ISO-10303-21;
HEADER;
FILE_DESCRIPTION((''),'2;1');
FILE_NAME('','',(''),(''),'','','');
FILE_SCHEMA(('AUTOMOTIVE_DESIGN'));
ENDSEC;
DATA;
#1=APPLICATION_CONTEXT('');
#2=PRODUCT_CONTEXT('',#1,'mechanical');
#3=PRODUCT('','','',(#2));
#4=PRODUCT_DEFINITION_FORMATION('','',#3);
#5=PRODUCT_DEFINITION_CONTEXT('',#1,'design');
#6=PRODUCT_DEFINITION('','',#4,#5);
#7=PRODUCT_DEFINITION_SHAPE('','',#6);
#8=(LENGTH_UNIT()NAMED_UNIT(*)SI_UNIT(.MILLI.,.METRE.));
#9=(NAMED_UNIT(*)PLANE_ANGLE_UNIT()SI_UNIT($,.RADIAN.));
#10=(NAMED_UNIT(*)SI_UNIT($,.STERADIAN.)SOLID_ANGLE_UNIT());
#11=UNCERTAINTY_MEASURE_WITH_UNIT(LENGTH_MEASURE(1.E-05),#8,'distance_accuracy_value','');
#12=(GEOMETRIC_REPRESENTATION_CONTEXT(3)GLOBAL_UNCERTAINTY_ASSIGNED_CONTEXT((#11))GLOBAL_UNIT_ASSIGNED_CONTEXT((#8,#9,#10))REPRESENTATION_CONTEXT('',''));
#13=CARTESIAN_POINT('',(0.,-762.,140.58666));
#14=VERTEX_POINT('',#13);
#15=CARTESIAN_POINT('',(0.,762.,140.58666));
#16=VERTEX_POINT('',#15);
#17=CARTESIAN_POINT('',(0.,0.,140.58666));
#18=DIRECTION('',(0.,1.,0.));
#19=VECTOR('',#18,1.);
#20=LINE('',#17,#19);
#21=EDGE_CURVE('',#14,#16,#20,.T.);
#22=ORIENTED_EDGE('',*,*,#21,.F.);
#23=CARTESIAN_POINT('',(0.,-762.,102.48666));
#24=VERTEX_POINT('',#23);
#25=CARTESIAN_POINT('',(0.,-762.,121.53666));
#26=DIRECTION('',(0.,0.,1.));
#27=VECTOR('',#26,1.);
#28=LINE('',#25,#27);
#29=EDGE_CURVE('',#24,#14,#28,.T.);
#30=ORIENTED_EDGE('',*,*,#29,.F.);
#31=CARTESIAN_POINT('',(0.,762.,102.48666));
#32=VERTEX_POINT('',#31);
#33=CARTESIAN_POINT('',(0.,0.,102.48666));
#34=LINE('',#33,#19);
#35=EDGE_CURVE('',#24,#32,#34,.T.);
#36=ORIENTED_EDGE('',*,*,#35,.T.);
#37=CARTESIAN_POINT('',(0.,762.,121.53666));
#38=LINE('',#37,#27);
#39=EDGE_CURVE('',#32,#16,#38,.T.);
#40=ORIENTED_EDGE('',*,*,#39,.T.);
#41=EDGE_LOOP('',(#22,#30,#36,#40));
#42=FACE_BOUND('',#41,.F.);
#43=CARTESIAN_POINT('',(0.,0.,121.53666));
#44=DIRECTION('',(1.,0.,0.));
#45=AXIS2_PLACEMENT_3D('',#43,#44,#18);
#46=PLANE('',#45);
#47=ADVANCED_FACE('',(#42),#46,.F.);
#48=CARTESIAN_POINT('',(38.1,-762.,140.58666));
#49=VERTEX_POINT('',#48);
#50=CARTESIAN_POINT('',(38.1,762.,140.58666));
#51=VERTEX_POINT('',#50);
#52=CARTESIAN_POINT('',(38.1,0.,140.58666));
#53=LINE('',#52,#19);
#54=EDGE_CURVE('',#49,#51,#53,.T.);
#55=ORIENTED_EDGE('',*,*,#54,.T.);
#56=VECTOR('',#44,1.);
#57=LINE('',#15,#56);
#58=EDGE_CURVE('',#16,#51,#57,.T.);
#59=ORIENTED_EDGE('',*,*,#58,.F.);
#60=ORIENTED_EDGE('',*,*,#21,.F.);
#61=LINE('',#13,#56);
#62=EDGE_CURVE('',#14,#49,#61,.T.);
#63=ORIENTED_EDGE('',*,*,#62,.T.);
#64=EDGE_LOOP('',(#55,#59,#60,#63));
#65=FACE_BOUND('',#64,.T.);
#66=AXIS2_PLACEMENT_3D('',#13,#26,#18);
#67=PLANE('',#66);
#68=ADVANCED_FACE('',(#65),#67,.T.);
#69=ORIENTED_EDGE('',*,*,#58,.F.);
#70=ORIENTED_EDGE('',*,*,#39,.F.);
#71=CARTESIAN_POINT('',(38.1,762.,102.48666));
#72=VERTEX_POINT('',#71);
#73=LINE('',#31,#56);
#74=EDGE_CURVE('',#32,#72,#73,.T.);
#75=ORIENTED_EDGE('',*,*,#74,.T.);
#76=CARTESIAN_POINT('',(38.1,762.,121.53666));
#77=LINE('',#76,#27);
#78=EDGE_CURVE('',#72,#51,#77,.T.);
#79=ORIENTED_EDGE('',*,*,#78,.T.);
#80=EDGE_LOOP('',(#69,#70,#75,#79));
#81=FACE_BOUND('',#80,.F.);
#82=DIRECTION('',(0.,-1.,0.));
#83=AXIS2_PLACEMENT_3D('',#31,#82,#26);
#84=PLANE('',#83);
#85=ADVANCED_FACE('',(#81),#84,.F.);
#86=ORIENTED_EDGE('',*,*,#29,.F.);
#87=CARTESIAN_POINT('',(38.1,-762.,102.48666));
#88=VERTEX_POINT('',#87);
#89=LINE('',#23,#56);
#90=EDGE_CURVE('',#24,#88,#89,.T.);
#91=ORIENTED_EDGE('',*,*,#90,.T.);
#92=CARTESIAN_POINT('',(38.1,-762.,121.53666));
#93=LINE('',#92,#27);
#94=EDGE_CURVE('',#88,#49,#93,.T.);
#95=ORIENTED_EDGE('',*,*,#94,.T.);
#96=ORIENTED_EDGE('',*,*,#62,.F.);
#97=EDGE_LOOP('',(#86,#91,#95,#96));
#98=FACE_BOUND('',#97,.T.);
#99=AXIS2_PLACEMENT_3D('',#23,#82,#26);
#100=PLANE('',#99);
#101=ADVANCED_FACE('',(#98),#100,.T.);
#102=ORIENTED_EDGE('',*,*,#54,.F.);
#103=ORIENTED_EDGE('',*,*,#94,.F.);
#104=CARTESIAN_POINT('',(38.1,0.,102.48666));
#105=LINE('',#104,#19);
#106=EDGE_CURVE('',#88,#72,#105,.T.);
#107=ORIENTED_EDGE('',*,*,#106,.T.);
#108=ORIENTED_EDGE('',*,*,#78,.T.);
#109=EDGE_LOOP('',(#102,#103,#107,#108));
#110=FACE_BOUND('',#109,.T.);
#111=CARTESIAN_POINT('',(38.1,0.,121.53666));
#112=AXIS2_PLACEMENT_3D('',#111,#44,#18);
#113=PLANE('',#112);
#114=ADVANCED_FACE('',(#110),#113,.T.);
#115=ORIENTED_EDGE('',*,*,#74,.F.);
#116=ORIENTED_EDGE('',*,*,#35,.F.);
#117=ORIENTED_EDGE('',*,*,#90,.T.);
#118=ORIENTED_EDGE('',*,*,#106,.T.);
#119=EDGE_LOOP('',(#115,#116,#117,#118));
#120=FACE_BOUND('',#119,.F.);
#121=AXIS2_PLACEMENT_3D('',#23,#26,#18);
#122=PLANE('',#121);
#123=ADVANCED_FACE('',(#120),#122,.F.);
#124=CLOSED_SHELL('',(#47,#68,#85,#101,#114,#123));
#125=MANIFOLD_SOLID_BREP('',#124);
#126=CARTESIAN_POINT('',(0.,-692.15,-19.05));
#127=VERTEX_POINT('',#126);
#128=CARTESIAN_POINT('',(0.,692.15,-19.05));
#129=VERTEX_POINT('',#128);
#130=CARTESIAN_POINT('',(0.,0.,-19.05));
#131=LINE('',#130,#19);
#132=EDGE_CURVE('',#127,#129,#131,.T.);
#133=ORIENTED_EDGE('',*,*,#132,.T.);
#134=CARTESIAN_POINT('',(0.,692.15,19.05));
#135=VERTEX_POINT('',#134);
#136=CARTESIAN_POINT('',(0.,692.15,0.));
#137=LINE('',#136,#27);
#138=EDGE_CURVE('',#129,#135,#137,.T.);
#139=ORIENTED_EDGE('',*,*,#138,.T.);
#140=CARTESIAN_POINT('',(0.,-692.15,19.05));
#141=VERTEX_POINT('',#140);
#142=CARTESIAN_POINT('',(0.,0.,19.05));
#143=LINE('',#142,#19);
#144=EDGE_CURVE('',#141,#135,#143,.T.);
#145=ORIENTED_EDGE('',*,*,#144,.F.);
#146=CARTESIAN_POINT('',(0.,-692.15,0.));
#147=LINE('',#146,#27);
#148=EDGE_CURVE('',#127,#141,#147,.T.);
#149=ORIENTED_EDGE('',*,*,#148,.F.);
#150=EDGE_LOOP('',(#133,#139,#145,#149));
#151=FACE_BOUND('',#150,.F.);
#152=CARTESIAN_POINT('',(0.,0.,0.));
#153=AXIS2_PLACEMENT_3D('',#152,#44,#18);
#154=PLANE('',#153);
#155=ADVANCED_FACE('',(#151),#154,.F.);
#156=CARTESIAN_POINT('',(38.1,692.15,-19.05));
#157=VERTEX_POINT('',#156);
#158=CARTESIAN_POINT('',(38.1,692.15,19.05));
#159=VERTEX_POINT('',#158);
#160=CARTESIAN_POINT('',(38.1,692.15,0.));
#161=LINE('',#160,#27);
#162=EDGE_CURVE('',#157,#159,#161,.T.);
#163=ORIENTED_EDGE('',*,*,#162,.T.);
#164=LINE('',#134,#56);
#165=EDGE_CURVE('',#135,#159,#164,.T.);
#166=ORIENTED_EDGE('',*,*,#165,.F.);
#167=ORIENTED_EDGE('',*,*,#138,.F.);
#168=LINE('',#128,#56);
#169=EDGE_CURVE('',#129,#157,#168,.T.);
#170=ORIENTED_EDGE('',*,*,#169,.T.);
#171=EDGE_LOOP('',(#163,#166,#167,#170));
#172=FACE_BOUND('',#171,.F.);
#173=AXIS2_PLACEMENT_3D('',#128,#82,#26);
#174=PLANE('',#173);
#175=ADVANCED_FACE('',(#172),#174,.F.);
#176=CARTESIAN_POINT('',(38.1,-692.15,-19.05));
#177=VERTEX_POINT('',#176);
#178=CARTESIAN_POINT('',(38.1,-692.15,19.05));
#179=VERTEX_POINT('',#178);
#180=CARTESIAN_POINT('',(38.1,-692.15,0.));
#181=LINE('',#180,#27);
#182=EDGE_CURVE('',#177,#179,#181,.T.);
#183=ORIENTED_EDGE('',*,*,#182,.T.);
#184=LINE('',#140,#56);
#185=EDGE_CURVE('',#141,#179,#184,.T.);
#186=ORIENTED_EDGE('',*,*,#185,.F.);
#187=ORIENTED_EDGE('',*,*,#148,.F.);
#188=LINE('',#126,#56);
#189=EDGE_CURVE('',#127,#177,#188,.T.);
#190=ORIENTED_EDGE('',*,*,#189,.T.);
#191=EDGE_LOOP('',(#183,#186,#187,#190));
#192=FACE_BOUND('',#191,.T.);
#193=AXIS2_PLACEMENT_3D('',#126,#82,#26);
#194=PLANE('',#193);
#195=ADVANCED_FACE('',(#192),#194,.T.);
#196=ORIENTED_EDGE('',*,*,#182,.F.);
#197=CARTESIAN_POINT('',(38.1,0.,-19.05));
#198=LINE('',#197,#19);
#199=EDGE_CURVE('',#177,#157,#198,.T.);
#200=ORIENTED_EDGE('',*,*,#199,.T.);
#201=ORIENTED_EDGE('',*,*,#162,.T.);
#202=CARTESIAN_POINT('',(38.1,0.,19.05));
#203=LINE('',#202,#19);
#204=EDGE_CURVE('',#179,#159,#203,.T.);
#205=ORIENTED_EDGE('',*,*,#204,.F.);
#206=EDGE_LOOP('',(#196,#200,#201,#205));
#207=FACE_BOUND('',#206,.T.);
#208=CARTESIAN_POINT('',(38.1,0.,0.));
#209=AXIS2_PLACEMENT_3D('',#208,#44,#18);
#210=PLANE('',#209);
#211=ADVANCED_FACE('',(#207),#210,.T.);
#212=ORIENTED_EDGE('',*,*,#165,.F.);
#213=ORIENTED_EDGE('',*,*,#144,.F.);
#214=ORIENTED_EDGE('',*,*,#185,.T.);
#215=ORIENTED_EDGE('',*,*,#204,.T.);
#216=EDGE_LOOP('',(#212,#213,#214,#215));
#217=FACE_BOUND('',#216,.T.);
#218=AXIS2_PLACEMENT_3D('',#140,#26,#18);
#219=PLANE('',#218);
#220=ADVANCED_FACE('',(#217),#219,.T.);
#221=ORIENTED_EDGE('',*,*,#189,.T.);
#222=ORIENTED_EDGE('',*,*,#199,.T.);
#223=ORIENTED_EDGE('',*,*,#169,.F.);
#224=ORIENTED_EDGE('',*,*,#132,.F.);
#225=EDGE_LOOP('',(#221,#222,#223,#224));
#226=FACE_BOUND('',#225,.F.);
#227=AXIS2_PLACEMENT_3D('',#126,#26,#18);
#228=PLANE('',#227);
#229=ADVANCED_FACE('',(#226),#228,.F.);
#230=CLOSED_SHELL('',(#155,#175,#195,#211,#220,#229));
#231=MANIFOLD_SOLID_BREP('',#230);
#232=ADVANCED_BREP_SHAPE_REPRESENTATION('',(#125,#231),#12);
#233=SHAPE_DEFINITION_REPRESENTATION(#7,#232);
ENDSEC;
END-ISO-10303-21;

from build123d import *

# Parameters (mm, degrees)
F0_W     = 1384.3
F0_H     = 38.1
F1_DEPTH = 38.1
F2_W     = 1524
F2_H     = 38.1
F3_DEPTH = 38.1


with BuildPart() as f1:
    # F0 (on Right) → F1 (new body)
    with BuildSketch(Plane.YZ):
        Rectangle(F0_W, F0_H)
    extrude(amount=F1_DEPTH)


with BuildPart() as f3:
    # F2 (on Right) → F3 (new body)
    with BuildSketch(Plane.YZ):
        with Locations((0, 121.53666)):
            Rectangle(F2_W, F2_H)
    extrude(amount=F3_DEPTH)


solid = Compound([f1.part, f3.part])
